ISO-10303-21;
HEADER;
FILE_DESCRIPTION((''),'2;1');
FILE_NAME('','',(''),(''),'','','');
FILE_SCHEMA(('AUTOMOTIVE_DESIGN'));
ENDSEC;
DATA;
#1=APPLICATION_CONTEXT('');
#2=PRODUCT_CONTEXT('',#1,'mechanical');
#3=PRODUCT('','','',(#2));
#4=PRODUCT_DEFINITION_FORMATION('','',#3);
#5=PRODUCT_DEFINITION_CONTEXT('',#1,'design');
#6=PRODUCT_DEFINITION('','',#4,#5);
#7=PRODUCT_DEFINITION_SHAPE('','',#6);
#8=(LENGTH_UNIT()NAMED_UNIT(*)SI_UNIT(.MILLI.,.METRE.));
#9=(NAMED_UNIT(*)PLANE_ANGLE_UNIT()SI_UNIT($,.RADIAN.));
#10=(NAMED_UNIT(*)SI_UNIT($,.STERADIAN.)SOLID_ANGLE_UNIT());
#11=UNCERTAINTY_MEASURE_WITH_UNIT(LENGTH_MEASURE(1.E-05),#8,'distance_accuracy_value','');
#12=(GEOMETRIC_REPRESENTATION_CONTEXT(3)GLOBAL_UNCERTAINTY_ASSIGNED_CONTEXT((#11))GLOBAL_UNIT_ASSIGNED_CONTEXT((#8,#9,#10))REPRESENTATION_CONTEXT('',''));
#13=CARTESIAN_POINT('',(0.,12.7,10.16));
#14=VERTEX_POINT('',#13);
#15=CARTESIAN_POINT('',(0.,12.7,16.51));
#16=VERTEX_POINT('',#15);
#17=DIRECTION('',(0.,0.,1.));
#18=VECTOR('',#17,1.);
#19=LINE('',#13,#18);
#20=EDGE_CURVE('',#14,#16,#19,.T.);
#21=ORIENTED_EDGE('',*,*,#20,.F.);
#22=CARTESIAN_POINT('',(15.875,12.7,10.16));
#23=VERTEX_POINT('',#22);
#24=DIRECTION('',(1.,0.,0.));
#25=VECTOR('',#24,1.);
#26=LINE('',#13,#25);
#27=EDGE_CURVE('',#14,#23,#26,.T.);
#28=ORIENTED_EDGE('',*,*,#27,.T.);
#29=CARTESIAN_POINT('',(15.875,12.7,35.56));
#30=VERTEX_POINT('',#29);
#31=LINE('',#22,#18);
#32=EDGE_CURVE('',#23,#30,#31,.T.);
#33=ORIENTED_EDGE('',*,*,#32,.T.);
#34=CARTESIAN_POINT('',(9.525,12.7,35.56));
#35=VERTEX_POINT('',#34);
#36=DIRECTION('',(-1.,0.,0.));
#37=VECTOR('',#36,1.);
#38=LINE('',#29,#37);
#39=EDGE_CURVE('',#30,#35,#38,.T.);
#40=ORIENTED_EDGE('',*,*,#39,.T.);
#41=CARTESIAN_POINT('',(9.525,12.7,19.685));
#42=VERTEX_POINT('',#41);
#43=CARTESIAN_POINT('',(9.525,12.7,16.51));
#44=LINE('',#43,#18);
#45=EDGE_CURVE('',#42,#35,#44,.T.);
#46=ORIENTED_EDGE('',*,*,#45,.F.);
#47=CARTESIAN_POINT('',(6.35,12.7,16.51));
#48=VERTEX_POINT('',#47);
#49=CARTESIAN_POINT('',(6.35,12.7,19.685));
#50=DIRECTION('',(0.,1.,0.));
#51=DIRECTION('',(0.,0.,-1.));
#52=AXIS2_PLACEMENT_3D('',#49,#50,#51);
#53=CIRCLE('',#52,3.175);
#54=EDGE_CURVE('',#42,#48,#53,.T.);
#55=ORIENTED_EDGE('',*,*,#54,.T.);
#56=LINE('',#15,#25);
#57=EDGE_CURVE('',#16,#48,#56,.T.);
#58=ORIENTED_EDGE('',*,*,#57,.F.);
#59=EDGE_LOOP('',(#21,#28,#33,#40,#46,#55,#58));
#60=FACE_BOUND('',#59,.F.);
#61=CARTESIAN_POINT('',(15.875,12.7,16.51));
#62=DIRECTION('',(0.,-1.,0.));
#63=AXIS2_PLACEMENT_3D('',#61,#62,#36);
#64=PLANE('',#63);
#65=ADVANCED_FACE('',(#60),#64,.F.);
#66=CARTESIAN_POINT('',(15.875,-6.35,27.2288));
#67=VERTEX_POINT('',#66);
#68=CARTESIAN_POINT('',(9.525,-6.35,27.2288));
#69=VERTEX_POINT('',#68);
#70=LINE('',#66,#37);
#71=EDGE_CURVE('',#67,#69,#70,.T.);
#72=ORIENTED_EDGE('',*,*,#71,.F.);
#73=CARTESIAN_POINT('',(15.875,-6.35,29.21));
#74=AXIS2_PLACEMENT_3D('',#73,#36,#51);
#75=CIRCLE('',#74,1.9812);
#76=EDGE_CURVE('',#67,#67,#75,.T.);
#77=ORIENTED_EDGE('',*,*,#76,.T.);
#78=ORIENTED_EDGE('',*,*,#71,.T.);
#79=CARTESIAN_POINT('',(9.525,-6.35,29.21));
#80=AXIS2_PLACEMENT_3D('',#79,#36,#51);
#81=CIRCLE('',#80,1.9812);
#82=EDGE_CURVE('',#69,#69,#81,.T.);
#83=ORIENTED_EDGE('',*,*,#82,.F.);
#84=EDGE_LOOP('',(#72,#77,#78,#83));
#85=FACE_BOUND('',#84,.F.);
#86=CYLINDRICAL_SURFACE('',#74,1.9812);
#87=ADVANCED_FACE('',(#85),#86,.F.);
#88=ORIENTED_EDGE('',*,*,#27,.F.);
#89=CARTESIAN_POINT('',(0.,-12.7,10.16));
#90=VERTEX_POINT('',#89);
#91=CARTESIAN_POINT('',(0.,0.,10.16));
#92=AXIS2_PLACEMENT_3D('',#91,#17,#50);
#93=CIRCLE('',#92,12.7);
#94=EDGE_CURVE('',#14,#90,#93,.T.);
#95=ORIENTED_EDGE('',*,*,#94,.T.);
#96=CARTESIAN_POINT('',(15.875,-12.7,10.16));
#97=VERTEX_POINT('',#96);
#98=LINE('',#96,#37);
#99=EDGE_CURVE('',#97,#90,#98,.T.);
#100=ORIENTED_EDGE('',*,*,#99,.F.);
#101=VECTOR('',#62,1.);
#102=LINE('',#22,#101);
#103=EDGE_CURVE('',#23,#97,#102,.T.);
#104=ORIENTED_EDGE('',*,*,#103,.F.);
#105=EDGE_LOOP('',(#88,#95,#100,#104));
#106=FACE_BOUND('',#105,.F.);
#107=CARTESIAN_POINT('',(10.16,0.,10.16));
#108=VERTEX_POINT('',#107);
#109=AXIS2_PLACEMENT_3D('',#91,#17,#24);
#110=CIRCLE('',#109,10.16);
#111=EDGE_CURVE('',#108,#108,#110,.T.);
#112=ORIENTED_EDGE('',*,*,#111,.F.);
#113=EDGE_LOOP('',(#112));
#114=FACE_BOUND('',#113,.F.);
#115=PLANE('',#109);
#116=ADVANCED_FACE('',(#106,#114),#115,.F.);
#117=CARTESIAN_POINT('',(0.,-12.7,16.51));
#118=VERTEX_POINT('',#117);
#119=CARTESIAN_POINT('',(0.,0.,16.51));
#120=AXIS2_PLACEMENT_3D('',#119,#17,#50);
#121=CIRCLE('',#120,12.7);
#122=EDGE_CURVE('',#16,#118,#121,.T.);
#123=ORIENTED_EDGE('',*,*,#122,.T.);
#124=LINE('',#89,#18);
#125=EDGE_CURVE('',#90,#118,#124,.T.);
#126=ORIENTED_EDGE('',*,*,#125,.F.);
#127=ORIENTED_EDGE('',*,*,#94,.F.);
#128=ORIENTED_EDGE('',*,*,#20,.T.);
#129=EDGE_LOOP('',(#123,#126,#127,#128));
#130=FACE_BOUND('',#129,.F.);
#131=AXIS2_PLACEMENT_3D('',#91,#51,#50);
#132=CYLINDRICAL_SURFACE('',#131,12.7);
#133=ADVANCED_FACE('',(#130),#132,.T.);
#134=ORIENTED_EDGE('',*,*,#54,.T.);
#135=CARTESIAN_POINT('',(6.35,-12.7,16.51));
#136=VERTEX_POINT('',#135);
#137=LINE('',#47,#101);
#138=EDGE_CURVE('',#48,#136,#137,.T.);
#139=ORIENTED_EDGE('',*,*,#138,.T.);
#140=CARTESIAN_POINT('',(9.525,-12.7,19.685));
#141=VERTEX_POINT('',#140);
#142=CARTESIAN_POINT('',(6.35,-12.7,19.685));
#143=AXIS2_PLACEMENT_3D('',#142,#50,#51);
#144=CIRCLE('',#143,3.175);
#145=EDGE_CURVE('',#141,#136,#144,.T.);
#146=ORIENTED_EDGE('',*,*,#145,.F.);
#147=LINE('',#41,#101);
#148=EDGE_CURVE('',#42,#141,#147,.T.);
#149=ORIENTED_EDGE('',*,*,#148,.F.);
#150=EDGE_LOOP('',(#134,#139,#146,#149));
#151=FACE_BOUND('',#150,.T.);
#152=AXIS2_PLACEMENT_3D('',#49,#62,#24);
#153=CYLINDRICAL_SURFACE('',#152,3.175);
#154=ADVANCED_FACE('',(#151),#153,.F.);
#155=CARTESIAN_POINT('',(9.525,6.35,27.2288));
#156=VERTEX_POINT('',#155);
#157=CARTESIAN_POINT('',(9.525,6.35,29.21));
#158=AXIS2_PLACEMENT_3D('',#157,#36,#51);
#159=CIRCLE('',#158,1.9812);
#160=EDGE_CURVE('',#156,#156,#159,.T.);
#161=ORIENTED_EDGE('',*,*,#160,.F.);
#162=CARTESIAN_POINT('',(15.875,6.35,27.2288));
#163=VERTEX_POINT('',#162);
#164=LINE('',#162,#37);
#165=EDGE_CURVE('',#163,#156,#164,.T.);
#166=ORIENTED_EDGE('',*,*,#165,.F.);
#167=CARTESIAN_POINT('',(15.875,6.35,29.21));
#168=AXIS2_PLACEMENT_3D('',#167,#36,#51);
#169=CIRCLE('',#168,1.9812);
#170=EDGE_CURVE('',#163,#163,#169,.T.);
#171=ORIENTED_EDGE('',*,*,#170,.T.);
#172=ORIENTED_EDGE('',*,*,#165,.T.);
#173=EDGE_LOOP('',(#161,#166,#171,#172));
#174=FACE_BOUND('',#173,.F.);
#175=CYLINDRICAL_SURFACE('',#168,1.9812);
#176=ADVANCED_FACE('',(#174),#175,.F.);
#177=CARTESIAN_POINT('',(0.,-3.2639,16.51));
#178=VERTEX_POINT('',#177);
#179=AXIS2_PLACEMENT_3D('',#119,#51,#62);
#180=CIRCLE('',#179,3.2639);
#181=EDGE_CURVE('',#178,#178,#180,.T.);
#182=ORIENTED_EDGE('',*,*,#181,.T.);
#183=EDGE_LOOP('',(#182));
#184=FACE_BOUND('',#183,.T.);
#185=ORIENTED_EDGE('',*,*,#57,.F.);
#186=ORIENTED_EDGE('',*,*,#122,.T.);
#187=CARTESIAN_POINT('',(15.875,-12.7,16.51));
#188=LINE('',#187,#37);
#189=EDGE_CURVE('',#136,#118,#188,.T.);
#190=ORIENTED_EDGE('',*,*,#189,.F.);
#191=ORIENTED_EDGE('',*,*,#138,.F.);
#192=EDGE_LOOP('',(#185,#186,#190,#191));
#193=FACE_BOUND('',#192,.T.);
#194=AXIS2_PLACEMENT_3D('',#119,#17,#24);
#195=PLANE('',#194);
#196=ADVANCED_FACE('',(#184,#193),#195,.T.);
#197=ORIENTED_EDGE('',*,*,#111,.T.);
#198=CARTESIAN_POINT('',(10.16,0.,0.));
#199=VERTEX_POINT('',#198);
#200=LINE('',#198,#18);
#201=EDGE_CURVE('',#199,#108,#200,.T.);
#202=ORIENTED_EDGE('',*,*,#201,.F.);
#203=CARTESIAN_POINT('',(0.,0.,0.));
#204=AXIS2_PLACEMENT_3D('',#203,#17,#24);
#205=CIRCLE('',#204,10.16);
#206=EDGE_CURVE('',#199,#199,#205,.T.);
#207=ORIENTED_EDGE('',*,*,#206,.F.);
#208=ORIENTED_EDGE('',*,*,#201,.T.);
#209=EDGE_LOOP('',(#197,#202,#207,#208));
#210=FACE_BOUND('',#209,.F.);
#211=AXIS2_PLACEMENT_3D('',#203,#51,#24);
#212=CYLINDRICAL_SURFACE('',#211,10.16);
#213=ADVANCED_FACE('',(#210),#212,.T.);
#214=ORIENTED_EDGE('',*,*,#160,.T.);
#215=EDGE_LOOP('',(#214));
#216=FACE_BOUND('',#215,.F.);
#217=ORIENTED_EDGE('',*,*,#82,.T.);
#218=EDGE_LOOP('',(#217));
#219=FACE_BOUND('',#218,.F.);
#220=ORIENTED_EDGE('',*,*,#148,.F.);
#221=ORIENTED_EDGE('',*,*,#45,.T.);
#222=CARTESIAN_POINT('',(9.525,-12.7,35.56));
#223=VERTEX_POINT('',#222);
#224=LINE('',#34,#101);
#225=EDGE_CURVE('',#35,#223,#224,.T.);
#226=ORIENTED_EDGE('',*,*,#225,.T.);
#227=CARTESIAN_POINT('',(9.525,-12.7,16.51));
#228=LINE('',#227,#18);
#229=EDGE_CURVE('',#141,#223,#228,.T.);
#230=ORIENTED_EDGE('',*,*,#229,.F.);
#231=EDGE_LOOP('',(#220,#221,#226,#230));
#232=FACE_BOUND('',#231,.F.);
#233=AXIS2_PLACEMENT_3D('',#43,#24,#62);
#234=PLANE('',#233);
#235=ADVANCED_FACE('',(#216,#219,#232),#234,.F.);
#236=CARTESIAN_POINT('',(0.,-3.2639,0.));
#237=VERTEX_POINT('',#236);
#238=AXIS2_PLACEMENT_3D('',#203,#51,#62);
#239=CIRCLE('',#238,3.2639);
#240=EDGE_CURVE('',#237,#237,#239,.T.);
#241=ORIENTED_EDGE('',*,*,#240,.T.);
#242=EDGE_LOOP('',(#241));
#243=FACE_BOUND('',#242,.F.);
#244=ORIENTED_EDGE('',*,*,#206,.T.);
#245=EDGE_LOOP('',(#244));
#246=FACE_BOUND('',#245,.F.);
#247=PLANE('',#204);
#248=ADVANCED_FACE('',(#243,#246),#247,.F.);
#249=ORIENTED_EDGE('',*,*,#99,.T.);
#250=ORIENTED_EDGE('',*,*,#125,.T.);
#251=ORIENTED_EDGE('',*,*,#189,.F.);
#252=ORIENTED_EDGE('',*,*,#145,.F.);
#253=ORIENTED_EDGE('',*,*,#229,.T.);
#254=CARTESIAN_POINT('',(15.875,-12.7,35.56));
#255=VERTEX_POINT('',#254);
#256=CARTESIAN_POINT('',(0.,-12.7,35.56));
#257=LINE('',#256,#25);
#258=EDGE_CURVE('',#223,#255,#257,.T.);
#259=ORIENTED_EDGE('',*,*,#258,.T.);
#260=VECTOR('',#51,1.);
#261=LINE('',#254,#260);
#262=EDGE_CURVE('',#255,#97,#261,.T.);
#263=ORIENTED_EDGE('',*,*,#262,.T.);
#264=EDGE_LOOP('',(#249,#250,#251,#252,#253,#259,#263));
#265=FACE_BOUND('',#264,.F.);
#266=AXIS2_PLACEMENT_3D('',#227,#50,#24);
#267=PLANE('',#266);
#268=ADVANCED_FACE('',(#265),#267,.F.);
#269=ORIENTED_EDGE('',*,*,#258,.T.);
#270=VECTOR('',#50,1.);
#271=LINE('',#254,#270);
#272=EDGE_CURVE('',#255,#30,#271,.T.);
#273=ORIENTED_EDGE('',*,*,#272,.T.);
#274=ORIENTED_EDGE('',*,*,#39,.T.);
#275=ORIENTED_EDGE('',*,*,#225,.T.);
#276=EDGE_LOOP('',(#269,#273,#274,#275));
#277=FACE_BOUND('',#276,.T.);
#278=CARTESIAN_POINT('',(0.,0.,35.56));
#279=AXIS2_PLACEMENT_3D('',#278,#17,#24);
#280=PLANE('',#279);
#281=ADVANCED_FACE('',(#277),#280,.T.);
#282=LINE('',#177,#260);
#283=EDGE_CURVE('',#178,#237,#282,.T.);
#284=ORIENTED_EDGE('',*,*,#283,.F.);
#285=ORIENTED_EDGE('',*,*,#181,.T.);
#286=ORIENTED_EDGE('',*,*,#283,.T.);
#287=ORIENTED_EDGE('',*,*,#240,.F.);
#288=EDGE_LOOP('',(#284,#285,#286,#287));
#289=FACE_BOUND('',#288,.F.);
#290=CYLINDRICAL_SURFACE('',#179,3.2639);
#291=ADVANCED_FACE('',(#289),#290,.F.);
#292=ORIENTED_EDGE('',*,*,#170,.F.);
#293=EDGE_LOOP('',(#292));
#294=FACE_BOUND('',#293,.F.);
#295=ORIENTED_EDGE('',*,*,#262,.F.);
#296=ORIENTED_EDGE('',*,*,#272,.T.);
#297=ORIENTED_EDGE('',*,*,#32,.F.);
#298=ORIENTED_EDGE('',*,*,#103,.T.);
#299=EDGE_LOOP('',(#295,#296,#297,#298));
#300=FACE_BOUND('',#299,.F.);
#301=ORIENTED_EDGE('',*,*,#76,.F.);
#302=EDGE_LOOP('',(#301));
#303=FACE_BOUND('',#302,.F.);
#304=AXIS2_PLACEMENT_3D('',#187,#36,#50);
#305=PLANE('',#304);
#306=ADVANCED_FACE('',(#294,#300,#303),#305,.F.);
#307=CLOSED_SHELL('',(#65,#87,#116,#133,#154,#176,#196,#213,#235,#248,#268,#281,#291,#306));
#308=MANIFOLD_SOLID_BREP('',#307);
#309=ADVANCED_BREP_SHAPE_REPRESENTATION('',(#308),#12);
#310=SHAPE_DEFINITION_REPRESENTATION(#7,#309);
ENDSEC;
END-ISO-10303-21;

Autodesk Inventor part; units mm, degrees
ref_plane "YZ Plane" through (0, 0, 0) normal (1, 0, 0) x (0, 1, 0)
ref_plane "XZ Plane" through (0, 0, 0) normal (0, 1, 0) x (-1, 0, 0)
ref_plane "XY Plane" through (0, 0, 0) normal (0, 0, 1) x (1, 0, 0)
sketch "Sketch1" plane through (0, 0, 0) normal (0, 0, 1) x (1, 0, 0)
  circle A0 centre (0, 0) radius 10.16
  circle A1 centre (0, 0) radius 8.7376
  dimension "d0" = 20.32
  dimension "d6" = 17.4752
extrude "Extrusion1" add sketch "Sketch1" along normal blind 10.16 contours A0 | A1
sketch "Sketch2" plane through (0, 0, 10.16) normal (0, 0, 1) x (1, 0, 0)
  circle A0 centre (0, 0) radius 10.16 projected
  circle A1 centre (0, 0) radius 12.7 construction
  line L0 (0, 12.7) -> (15.875, 12.7)
  line L1 (15.875, 12.7) -> (15.875, -12.7)
  line L2 (15.875, -12.7) -> (0, -12.7)
  arc A2 (0, 12.7) -> (0, -12.7) centre (0, 0) ccw
  point P0 (15.875, 0)
  dimension "d3" = 2.54
  dimension "d14" = 15.875
  dimension "d35" = 25.4
extrude "Extrusion2" add sketch "Sketch2" along normal blind 6.35 contours A0 | L0 L1 L2 A2
sketch "Sketch4" plane through (0, 0, 16.51) normal (0, 0, 1) x (1, 0, 0)
  arc A0 (0, 12.7) -> (0, -12.7) centre (0, 0) ccw projected
hole "Hole2" at (0, 0, 16.51) direction (0, 0, -1) diameter 6.5278 end through all clearance for "Flat Head Machine Screw (82)" size "1/4" standard "Ansi Unified Screw Threads"
sketch "Sketch5" plane through (0, 0, 16.51) normal (0, 0, 1) x (1, 0, 0)
  line L0 (15.875, 12.7) -> (0, 12.7) projected
  line L1 (0, -12.7) -> (15.875, -12.7) projected
  line L2 (15.875, 12.7) -> (9.525, 12.7)
  line L3 (9.525, 12.7) -> (9.525, -12.7)
  line L4 (9.525, -12.7) -> (15.875, -12.7)
  line L5 (15.875, -12.7) -> (15.875, 12.7)
  point P0 (0, 0)
  dimension "d22" = 6.35
extrude "Extrusion3" add sketch "Sketch5" along normal blind 19.05
fillet "Fillet1" radius 3.175 1 edges at (9.525, 0, 16.51)
sketch "Sketch6" plane through (15.875, -12.7, 10.16) normal (1, 0, 0) x (0, 0, -1)
  line L0 (-19.05, 19.05) -> (-19.05, 6.35) construction
  line L1 (-25.4, 0) -> (-25.4, 25.4) construction
  line L2 (0, 25.4) -> (-25.4, 25.4) construction
  point P0 (10.16, 12.7)
  point P1 (-19.05, 12.7)
  point P2 (-25.4, 12.7)
  point P3 (-12.7, 25.4)
  dimension "d26" = 12.7
  dimension "d34" = 6.35
hole "Hole3" at (15.875, 6.35, 29.21) at (15.875, -6.35, 29.21) direction (-1, 0, 0) diameter 3.9624 end through all thread size "10-32 UNF" class "2B" standard "ANSI Unified Screw Threads"
properties part number "constant force Spring Holder" material "ABS Plastic"
